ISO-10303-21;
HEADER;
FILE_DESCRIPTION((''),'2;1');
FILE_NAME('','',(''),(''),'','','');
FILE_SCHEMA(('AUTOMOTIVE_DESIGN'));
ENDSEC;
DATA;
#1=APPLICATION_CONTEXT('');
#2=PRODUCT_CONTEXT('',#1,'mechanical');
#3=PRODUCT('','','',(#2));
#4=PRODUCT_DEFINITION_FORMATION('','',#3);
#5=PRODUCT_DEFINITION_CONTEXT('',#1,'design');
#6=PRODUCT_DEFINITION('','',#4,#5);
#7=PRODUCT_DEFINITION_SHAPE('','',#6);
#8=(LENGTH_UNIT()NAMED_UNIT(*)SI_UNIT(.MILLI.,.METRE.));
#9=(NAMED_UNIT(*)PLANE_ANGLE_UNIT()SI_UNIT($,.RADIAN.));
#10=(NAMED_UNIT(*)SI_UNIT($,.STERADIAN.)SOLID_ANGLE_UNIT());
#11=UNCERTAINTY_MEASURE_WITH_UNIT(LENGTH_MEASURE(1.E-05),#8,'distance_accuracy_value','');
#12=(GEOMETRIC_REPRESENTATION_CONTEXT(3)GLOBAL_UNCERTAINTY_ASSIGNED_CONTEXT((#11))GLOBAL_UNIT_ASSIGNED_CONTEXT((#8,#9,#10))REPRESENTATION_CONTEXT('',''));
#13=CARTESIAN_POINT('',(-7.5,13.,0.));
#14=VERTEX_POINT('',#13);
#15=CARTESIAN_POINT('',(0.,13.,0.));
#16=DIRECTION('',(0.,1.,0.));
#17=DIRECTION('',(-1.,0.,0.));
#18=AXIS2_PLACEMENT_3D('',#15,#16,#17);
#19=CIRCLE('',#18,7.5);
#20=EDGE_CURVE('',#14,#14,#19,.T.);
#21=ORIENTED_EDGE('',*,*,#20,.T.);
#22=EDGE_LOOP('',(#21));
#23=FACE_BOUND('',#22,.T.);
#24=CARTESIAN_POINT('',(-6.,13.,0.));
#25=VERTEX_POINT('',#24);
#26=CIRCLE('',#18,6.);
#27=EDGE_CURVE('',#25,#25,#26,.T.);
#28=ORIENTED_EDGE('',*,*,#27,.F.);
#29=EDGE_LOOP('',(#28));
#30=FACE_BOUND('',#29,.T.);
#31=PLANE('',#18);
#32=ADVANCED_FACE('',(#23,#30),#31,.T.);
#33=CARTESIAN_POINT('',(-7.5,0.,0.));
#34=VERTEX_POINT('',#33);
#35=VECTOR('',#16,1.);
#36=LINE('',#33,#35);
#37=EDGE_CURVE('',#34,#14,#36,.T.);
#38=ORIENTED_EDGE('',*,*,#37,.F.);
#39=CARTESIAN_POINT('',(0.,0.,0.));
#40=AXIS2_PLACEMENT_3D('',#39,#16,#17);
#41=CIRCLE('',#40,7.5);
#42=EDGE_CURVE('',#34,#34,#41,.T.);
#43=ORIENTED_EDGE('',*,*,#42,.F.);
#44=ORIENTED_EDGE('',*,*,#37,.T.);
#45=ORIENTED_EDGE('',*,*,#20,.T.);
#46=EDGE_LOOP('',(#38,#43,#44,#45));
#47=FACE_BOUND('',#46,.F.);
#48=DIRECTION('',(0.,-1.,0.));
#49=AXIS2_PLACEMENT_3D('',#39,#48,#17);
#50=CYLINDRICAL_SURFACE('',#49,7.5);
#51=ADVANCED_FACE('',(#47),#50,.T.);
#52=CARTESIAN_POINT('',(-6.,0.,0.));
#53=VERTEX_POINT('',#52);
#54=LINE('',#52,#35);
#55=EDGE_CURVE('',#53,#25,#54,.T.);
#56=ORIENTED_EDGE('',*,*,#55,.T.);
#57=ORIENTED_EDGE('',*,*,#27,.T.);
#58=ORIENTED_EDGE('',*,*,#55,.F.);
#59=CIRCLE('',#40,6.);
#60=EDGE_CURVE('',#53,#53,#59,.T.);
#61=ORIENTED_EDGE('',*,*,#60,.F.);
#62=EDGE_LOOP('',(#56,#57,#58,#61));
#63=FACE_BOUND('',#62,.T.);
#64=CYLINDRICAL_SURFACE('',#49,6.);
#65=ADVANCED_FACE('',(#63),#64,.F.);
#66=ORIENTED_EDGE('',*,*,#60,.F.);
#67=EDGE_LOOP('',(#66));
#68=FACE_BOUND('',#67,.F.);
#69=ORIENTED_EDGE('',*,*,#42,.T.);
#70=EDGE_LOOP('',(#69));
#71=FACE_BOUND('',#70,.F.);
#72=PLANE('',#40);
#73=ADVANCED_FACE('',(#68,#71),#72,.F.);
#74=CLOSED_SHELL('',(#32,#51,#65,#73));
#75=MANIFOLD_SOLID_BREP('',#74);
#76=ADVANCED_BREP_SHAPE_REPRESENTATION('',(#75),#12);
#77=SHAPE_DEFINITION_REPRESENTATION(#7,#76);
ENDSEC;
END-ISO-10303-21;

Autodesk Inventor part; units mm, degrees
ref_plane "YZ Plane" through (0, 0, 0) normal (1, 0, 0) x (0, 1, 0)
ref_plane "XZ Plane" through (0, 0, 0) normal (0, 1, 0) x (-1, 0, 0)
ref_plane "XY Plane" through (0, 0, 0) normal (0, 0, 1) x (1, 0, 0)
sketch "Sketch1" plane through (0, 0, 0) normal (0, 1, 0) x (-1, 0, 0)
  circle A0 centre (0, 0) radius 6
  circle A1 centre (0, 0) radius 7.5
  dimension "d0" = 12
  dimension "d1" = 15
extrude "Extrusion1" add sketch "Sketch1" along normal blind 13
properties part number "fix"
